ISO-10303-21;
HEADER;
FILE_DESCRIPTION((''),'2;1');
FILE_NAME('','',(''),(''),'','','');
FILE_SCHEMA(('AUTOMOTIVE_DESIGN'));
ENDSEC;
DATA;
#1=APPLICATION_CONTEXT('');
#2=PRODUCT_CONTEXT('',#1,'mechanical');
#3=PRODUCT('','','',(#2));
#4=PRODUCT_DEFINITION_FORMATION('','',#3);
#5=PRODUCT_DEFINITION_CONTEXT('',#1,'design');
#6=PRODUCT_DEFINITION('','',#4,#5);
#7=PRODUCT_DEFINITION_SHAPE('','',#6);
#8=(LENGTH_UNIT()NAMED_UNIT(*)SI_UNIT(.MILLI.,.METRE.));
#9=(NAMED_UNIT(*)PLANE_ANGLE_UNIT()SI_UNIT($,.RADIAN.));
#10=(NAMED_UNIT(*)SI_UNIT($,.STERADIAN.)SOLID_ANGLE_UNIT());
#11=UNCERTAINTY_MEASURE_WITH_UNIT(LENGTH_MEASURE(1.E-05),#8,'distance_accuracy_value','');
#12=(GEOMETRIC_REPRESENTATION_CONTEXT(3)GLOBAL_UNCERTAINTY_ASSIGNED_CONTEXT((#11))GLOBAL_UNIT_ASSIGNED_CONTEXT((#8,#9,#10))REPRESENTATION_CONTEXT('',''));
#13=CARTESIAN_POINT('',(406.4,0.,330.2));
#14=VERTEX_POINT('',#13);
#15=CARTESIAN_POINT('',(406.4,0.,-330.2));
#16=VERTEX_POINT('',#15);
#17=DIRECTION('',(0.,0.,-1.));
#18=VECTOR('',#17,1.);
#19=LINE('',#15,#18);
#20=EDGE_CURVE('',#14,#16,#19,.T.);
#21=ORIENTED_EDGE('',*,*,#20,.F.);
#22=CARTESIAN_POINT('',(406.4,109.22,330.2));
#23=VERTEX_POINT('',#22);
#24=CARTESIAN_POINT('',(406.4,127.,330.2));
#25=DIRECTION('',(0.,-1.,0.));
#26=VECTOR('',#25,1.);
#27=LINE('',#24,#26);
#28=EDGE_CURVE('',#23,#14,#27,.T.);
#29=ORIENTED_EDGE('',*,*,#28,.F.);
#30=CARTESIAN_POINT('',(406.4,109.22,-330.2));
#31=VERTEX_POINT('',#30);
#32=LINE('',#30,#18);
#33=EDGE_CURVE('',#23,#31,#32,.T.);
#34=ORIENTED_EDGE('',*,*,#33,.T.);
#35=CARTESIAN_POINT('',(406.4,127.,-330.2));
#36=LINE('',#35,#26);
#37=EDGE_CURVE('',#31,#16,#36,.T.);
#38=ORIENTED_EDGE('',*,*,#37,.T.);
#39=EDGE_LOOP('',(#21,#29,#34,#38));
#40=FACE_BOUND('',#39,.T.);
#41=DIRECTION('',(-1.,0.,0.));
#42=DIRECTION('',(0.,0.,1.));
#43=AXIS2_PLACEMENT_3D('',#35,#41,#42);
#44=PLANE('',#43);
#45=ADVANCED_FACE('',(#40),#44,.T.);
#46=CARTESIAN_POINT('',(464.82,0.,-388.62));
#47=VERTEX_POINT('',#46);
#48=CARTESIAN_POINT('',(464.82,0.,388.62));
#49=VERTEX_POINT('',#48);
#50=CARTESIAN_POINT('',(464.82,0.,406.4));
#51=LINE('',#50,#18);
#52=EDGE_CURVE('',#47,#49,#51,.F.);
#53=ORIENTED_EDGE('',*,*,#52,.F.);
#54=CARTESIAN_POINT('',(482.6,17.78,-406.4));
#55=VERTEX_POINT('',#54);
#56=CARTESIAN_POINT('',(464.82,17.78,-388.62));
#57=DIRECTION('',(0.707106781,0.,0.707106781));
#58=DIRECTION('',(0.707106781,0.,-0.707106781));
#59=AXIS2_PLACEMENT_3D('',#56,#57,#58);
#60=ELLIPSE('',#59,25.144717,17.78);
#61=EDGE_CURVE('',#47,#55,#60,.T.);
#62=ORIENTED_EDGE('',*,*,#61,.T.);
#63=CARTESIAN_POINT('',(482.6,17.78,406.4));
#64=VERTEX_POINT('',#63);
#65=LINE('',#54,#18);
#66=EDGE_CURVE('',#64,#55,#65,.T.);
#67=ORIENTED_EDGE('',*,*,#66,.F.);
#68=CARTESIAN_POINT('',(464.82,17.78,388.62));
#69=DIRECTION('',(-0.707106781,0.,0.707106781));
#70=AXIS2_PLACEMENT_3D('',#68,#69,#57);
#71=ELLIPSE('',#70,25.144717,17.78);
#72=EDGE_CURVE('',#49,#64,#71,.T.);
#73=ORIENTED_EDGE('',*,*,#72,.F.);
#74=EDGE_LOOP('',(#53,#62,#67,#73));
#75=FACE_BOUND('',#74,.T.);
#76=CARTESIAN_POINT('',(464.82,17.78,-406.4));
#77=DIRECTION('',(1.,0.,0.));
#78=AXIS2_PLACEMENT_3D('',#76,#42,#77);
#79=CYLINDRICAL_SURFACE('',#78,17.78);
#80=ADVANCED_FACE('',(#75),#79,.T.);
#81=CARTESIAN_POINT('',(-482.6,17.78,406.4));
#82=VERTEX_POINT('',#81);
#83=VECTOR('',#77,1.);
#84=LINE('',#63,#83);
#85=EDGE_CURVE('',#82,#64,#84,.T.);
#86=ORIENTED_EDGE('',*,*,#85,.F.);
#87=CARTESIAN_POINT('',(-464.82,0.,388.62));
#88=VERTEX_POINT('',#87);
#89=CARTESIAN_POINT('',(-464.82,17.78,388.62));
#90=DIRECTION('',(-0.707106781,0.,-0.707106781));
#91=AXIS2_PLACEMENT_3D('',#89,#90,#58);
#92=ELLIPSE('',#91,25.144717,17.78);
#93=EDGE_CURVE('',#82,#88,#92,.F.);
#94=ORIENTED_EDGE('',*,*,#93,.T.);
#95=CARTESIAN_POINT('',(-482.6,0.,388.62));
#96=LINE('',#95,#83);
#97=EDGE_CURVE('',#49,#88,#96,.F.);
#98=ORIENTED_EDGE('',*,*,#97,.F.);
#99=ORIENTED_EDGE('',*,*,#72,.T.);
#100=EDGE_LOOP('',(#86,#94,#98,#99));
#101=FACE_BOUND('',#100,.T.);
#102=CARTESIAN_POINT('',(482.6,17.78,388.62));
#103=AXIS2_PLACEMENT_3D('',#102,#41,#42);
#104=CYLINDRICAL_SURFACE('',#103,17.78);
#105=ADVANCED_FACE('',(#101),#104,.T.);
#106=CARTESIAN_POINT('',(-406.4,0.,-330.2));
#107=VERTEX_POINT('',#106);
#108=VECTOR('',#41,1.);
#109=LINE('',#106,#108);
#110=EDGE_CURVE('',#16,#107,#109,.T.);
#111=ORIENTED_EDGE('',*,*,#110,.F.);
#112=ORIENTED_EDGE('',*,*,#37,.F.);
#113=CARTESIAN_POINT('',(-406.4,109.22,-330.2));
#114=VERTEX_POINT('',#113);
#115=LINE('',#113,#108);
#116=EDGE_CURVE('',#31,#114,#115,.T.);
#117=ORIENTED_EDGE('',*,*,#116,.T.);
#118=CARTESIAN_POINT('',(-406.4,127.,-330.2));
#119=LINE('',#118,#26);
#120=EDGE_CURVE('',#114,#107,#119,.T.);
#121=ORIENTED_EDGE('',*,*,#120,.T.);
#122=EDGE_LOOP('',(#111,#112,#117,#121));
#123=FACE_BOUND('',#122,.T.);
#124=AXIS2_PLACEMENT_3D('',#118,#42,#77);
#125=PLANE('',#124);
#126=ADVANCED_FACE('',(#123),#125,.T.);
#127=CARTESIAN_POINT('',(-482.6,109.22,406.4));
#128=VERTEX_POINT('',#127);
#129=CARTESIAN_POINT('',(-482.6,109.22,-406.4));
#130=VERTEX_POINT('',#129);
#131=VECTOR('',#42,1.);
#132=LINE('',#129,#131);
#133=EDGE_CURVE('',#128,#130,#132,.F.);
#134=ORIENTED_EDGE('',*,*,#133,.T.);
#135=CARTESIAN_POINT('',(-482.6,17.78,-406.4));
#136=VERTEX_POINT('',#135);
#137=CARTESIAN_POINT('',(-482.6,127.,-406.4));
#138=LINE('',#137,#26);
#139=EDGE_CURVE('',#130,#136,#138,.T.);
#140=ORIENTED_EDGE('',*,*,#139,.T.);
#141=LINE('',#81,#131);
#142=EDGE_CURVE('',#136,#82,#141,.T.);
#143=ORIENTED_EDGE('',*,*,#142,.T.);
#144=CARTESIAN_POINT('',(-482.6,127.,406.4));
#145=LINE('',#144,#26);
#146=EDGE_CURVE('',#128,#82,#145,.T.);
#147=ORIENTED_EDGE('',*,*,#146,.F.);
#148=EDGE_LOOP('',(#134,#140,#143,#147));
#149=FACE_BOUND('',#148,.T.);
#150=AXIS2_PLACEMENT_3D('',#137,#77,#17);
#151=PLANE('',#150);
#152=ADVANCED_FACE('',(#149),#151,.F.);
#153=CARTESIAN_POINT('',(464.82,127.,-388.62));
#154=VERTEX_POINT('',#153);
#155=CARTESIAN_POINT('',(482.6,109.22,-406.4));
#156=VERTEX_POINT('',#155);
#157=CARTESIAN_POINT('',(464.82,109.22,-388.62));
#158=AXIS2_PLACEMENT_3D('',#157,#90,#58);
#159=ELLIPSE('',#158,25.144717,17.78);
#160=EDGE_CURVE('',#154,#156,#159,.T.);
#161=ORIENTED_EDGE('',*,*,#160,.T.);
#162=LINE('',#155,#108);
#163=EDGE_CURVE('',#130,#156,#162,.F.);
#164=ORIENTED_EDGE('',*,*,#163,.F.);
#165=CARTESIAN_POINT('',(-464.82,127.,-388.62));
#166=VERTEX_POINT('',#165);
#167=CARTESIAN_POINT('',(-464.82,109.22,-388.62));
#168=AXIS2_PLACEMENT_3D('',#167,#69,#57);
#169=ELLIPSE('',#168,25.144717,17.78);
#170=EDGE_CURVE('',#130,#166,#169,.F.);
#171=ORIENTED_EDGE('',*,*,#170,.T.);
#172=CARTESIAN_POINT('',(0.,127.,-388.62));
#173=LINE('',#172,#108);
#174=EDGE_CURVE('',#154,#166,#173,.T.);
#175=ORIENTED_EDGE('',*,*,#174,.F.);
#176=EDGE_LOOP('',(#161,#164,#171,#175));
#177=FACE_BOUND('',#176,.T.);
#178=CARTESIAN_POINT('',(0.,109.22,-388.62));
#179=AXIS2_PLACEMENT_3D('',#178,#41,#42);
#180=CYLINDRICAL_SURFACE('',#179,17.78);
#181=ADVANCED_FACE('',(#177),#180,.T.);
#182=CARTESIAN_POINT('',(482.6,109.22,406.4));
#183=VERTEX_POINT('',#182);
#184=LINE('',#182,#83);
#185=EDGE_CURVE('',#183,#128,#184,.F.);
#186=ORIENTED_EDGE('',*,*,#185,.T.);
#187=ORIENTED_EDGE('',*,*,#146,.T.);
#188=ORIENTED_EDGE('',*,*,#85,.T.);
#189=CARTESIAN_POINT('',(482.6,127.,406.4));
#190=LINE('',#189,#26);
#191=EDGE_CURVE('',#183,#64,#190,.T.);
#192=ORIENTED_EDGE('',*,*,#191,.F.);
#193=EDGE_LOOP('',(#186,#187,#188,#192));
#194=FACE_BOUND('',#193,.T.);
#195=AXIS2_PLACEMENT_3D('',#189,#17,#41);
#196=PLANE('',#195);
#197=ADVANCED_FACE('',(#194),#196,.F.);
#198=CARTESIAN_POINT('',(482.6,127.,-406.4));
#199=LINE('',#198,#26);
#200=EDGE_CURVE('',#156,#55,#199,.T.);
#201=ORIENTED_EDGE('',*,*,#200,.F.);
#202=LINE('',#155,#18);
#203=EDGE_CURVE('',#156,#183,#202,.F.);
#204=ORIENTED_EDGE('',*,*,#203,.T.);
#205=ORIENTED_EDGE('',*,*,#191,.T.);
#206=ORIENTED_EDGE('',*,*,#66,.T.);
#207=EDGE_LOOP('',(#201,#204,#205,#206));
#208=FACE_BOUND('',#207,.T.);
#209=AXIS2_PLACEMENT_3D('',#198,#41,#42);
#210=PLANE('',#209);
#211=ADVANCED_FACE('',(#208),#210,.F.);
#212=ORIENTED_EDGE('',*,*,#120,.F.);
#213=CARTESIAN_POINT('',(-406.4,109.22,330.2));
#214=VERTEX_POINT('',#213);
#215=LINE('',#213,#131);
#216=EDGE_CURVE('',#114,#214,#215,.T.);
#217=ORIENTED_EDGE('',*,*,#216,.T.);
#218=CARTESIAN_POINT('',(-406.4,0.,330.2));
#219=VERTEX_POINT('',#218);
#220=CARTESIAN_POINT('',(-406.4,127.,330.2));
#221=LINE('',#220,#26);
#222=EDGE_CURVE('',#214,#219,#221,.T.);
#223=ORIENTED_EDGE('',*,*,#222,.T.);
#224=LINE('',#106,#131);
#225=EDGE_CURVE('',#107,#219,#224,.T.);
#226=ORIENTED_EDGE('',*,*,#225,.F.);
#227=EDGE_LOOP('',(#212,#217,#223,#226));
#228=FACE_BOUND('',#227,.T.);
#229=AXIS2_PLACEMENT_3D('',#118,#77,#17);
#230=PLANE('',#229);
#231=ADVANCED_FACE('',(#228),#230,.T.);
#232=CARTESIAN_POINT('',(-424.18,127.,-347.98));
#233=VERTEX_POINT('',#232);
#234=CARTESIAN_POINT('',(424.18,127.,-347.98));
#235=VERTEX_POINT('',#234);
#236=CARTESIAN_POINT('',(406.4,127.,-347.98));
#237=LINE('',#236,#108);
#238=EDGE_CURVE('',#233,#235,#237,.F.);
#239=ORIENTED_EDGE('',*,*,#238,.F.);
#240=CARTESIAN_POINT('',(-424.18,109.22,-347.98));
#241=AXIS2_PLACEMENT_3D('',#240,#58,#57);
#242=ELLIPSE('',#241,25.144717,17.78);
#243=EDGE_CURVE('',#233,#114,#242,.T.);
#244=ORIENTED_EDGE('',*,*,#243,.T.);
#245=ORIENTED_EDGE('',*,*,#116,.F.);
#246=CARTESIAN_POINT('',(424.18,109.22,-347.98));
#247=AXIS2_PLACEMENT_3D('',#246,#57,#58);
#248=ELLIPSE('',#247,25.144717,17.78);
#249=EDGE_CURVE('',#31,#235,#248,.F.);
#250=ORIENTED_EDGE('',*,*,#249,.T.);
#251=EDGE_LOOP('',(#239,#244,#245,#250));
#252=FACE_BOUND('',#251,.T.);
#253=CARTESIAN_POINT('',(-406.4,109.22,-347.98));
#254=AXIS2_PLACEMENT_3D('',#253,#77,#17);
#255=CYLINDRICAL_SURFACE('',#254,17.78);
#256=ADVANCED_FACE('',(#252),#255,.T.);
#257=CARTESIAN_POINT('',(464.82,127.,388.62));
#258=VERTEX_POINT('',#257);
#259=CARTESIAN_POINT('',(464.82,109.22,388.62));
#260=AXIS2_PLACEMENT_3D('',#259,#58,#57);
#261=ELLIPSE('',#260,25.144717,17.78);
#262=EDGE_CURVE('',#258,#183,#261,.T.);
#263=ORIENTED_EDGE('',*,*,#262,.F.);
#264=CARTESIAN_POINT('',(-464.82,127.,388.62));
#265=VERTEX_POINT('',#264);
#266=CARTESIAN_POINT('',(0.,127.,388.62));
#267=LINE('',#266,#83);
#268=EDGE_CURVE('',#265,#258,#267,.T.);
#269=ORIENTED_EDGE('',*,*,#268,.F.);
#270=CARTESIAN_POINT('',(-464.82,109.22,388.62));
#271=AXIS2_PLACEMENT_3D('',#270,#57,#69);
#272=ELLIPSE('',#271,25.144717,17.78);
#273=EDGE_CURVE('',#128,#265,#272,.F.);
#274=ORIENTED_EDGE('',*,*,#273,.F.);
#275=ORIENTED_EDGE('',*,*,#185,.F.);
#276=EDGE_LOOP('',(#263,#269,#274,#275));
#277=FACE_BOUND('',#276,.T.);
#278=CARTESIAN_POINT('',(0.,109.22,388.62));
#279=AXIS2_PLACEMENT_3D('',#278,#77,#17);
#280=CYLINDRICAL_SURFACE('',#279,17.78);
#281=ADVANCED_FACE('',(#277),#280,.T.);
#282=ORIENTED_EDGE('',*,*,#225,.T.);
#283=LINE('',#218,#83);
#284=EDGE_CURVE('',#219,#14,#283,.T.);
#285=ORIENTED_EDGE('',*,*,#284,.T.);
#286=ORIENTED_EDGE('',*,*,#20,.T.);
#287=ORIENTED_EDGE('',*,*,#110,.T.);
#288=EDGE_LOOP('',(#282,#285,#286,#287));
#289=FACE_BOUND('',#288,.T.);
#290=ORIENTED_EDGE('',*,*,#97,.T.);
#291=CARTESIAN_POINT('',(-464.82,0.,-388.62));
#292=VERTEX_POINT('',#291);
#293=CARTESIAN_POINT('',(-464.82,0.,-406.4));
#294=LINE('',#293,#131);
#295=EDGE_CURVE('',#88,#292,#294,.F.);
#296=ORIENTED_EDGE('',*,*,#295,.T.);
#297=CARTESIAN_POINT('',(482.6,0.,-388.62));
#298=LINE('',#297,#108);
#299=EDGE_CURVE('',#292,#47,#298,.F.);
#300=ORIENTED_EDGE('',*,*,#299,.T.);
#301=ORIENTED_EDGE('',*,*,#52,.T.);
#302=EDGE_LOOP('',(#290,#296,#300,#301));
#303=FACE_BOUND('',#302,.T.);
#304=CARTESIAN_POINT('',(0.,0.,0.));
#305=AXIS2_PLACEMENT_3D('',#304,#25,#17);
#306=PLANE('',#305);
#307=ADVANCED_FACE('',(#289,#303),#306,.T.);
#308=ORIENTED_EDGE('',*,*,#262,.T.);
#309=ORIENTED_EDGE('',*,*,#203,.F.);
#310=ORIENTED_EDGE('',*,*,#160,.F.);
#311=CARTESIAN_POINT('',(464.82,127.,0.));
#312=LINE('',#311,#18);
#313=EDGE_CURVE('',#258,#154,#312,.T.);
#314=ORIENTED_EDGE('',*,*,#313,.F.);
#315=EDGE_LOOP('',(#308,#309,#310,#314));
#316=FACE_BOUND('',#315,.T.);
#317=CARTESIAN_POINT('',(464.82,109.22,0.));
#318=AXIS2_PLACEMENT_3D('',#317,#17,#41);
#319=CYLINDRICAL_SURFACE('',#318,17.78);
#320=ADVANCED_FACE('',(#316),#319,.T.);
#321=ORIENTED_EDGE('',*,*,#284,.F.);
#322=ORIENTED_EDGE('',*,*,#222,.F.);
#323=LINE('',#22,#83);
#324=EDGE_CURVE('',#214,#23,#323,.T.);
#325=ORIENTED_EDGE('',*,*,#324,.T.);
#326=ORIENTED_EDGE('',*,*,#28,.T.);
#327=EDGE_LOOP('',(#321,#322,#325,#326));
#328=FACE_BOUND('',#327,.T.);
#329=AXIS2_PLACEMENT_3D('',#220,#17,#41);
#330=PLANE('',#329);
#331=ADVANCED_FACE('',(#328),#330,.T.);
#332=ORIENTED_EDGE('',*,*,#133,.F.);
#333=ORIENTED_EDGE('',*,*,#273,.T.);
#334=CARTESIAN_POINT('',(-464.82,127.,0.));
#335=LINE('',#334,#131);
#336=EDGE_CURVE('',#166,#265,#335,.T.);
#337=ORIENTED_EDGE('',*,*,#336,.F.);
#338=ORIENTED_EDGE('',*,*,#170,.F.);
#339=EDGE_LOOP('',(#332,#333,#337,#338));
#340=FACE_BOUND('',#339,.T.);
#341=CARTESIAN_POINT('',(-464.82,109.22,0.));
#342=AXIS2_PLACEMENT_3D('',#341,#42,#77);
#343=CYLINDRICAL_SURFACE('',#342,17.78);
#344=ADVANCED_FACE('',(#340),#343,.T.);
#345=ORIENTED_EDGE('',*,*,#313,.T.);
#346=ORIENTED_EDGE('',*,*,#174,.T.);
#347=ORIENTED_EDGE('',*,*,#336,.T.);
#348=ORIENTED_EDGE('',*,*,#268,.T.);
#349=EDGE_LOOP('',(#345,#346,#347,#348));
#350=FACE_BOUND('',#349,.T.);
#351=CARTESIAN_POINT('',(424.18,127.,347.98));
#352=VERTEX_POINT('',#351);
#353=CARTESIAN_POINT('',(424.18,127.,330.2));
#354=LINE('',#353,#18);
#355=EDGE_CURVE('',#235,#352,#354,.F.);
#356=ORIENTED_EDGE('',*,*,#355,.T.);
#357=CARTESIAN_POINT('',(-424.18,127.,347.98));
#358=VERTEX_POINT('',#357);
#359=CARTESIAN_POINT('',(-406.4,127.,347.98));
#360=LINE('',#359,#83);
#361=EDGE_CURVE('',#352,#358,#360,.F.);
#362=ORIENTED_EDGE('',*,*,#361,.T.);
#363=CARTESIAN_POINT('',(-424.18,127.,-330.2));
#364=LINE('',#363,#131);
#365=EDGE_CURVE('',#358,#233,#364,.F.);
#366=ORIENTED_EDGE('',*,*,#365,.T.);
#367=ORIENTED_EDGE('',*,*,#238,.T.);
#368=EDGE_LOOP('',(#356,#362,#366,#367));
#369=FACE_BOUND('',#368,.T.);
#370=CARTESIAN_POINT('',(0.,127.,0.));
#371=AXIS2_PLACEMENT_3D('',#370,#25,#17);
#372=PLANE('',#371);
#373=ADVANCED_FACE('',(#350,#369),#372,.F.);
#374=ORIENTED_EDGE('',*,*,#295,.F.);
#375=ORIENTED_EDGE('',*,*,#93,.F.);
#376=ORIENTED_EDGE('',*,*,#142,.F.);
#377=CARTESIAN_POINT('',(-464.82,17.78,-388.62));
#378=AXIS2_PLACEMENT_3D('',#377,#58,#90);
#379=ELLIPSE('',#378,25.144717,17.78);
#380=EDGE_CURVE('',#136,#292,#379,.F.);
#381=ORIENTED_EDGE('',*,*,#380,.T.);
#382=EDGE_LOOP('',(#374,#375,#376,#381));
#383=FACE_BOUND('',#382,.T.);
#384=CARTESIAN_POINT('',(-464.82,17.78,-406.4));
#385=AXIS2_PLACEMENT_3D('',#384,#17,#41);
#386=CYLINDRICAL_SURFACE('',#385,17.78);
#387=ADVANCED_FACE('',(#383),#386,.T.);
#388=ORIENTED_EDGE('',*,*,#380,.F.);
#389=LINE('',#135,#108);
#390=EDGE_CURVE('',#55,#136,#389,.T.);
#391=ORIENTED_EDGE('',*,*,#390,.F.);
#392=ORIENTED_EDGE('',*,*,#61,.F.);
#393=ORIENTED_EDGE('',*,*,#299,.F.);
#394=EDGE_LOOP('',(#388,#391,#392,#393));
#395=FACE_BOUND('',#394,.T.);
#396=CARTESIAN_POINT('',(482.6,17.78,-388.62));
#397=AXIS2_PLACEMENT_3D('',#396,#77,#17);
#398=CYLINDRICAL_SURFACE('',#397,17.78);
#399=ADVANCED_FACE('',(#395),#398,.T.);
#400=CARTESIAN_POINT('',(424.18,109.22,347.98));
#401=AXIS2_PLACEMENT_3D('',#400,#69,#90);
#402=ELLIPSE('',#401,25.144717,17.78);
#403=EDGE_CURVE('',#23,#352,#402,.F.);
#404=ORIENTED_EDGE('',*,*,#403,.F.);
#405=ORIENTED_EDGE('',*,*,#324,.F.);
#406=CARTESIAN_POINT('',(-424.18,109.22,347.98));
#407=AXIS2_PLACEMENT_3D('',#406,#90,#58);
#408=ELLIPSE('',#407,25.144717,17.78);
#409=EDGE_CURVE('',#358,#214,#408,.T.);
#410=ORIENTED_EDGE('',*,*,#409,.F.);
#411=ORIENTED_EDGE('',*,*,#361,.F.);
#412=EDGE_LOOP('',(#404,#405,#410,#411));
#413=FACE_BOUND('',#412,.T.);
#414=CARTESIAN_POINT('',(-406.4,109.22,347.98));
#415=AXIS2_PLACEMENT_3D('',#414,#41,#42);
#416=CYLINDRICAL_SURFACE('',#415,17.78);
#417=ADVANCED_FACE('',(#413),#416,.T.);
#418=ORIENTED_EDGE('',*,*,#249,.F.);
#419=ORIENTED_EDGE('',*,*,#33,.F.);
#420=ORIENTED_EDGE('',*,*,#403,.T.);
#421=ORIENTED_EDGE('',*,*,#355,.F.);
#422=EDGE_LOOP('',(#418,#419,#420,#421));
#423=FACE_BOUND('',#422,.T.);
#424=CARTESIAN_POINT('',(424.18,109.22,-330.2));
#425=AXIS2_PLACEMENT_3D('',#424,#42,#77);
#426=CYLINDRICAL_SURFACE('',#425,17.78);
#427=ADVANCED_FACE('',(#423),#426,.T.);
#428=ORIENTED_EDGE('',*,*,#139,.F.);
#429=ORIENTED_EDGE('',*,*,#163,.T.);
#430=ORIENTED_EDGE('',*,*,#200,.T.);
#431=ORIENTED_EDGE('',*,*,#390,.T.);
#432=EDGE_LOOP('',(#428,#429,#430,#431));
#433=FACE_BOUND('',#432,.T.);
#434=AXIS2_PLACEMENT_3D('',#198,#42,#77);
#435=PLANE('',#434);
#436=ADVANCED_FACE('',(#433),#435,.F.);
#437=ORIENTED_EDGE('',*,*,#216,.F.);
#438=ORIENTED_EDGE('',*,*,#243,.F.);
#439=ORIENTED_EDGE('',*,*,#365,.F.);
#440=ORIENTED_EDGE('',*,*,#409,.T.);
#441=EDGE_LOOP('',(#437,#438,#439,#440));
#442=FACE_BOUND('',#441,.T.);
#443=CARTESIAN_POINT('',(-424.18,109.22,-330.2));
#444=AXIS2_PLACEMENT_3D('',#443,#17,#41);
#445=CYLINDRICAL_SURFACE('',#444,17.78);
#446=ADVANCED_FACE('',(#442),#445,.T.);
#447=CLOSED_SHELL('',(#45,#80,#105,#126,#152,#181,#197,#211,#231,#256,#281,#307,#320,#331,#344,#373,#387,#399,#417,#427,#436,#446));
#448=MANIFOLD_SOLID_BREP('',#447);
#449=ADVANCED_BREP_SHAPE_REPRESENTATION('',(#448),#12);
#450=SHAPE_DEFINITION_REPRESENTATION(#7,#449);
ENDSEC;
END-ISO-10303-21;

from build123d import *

# Parameters (mm, degrees)
SKETCH1_W           = 965.2
SKETCH1_H           = 812.8
SKETCH1_W_2         = 812.8
SKETCH1_H_2         = 660.4
BOSS_EXTRUDE1_DEPTH = 127
FILLET1_R           = 17.78


with BuildPart() as part:
    # Sketch1 → Boss-Extrude1 (new body)
    with BuildSketch(Plane(origin=(0, 0, 0), x_dir=(1, 0, 0), z_dir=(0, 1, 0))):
        Rectangle(SKETCH1_W, SKETCH1_H)
        Rectangle(SKETCH1_W_2, SKETCH1_H_2, mode=Mode.SUBTRACT)
    extrude(amount=BOSS_EXTRUDE1_DEPTH)

    # Fillet1
    fillet1_edges = [part.edges().sort_by_distance(p)[0] for p in [
        (482.6, 127, 0),
        (406.4, 127, 0),
        (0, 127, -406.4),
        (0, 127, -330.2),
        (-406.4, 127, 0),
        (0, 127, 330.2),
        (-482.6, 127, 0),
        (0, 0, -406.4),
        (482.6, 0, 0),
        (0, 0, 406.4),
        (-482.6, 0, 0),
        (0, 127, 406.4),
    ]]
    fillet(fillet1_edges, radius=FILLET1_R)


solid = part.part
